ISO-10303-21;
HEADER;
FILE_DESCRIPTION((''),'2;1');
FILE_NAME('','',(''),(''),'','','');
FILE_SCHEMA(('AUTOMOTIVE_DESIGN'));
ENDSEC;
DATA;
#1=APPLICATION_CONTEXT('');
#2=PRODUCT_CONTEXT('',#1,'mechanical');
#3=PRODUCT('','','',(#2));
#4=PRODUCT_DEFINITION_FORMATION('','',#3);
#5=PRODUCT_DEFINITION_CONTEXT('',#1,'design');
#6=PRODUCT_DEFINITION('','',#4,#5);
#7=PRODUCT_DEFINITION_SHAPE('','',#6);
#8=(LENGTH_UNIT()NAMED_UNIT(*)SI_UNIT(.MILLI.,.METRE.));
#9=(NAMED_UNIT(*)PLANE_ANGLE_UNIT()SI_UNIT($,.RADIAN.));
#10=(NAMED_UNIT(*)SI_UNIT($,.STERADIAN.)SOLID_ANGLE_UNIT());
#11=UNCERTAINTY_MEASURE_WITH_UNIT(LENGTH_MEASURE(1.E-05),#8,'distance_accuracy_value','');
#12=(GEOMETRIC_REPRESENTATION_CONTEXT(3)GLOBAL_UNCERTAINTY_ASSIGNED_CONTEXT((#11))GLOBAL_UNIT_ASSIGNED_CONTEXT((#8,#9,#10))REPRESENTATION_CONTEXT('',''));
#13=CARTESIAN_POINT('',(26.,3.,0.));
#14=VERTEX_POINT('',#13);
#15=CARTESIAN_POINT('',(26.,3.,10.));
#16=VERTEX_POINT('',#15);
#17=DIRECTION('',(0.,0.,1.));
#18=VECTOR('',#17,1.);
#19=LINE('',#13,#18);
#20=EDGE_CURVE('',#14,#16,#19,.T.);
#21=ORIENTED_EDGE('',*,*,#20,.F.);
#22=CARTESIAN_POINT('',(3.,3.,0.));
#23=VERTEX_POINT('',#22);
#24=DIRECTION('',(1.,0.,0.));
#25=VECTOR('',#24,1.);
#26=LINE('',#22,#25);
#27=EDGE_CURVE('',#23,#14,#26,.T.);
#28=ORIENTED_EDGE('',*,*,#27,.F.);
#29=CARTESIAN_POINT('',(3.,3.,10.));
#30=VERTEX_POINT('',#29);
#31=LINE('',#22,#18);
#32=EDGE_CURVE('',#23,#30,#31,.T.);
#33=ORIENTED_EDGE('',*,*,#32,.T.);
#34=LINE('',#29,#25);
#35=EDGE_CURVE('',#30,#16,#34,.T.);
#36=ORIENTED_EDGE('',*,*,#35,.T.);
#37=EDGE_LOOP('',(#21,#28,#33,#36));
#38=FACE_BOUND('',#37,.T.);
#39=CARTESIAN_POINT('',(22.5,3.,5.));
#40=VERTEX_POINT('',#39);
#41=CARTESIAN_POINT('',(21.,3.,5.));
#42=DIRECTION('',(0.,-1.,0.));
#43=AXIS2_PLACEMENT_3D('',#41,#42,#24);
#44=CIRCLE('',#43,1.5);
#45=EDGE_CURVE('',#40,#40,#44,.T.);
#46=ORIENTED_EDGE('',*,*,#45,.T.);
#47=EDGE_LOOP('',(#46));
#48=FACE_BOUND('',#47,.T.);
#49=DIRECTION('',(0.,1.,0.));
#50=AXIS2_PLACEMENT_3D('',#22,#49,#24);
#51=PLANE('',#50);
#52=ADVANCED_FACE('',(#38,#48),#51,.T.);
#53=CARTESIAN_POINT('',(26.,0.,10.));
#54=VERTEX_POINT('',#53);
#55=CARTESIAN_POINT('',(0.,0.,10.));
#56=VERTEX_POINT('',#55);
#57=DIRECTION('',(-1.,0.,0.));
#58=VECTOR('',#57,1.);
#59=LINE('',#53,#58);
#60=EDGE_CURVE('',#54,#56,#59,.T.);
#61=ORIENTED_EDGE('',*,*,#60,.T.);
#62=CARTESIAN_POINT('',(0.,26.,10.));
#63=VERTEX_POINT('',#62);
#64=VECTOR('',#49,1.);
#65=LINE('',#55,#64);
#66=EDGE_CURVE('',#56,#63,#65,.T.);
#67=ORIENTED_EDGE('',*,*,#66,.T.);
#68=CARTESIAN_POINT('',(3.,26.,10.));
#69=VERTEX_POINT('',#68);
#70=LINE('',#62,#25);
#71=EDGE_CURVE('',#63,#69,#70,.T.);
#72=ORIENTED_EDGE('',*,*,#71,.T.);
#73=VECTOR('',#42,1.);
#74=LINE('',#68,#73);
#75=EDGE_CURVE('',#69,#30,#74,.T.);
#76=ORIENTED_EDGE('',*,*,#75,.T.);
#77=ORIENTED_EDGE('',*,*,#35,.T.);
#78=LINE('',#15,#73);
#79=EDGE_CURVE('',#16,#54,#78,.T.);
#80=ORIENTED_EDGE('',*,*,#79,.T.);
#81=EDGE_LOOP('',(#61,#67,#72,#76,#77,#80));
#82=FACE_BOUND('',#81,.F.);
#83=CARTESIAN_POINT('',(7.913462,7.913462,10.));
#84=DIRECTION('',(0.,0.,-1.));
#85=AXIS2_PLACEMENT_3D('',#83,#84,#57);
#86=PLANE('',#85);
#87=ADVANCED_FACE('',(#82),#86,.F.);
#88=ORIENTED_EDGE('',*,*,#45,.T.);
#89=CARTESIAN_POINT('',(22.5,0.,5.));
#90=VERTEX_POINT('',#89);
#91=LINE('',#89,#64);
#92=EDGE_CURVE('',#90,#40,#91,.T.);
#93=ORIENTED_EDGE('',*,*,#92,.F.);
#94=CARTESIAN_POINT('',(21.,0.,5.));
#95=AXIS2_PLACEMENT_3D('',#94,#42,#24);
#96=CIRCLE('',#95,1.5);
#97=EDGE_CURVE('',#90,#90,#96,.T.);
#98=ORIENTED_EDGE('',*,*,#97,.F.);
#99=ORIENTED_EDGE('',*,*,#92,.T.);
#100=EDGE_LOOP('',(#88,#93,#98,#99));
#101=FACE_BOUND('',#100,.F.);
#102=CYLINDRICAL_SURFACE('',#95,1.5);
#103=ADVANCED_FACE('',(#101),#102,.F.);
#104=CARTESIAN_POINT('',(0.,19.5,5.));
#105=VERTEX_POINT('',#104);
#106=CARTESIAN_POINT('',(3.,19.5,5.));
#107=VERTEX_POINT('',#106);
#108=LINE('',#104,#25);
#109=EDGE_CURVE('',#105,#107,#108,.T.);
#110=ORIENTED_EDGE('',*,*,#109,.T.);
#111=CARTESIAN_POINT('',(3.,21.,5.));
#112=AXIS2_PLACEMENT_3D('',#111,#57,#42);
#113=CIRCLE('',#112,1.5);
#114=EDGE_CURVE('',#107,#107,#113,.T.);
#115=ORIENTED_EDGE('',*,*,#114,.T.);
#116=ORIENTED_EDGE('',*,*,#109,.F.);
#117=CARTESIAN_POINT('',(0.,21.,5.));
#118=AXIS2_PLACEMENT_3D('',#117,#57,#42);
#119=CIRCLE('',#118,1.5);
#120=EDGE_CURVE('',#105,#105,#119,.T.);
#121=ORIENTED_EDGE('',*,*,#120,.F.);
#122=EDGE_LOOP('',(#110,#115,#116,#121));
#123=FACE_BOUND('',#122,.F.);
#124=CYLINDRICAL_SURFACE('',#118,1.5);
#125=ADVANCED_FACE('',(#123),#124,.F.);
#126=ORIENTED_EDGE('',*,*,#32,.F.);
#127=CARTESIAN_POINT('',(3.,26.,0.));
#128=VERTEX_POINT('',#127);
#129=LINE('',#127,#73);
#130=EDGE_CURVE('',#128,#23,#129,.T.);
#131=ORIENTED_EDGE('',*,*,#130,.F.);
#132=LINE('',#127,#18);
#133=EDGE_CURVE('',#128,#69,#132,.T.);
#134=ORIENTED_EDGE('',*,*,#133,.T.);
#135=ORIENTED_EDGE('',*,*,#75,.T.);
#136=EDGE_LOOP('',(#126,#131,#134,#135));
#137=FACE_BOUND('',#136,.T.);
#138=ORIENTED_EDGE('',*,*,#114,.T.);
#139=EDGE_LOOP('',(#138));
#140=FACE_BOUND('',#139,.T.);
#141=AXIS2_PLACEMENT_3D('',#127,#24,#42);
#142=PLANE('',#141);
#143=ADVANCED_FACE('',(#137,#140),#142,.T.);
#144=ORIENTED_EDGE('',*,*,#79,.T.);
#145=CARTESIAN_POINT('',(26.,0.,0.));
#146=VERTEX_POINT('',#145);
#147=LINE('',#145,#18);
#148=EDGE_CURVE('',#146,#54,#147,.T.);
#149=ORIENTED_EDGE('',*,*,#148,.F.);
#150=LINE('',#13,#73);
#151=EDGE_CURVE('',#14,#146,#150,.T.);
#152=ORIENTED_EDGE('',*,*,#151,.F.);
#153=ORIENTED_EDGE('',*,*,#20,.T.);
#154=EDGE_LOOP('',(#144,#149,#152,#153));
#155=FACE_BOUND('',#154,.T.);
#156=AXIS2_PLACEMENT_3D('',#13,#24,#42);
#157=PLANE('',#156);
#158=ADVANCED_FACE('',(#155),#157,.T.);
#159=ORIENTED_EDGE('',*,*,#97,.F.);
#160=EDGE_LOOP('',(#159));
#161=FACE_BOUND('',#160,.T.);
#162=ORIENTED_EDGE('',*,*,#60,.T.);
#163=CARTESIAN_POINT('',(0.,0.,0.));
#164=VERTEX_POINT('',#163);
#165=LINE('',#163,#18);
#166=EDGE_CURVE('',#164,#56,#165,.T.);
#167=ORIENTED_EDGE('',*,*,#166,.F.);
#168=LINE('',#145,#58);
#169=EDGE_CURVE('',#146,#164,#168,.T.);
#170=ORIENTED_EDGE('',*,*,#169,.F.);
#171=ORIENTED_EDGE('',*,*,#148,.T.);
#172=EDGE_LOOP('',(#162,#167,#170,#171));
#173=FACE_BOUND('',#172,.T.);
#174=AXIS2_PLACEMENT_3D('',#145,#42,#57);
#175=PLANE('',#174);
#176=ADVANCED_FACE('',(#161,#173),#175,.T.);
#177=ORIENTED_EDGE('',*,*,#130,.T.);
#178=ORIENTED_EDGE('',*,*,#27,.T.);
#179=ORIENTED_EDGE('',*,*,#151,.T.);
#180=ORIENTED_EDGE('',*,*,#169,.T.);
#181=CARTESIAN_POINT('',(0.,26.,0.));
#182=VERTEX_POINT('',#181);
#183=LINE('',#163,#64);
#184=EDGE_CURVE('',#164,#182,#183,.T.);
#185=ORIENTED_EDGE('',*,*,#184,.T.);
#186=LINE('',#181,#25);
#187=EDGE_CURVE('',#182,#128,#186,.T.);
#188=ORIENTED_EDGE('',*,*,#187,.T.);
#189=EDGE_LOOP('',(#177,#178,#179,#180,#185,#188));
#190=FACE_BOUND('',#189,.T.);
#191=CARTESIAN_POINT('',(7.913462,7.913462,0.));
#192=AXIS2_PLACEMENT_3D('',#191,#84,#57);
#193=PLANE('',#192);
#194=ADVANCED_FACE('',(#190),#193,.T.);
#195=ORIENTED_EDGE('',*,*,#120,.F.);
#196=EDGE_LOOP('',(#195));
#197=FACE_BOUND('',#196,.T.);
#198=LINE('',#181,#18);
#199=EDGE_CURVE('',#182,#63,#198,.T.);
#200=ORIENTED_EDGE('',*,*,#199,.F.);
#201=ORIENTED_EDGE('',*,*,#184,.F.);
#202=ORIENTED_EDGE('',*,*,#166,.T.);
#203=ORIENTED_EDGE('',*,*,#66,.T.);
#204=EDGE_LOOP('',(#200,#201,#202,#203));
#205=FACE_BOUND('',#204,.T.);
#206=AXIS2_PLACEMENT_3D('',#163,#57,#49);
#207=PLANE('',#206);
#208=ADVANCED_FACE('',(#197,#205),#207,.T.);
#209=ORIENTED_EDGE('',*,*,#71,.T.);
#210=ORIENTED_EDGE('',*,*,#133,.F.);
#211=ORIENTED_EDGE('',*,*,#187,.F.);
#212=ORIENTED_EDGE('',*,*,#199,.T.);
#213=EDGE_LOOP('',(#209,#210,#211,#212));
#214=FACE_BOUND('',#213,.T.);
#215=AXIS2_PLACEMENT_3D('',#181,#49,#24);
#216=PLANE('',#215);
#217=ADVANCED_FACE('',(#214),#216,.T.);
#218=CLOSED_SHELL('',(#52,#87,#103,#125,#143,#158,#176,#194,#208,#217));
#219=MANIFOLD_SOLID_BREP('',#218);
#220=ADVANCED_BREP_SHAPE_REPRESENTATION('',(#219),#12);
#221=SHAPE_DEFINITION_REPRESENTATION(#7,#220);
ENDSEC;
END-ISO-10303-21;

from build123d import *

# Parameters (mm, degrees)
PAD_DEPTH       = 10
SKETCH001_R     = 1.5
POCKET_DEPTH    = 5
SKETCH002_R     = 1.5
POCKET001_DEPTH = 5


with BuildPart() as part:
    # Sketch → Pad (new body)
    with BuildSketch(Plane.XY):
        Polygon((0, 0), (0, 26), (3, 26), (3, 3), (26, 3), (26, 0), align=None)
    extrude(amount=PAD_DEPTH)

    # Sketch001 (on Face6 of Pad) → Pocket (cut)
    with BuildSketch(Plane.XZ):
        with Locations((21, 5)):
            Circle(SKETCH001_R)
    extrude(amount=-POCKET_DEPTH, mode=Mode.SUBTRACT)

    # Sketch002 (on Face1 of Pocket) → Pocket001 (cut)
    with BuildSketch(Plane(origin=(0, 0, 0), x_dir=(0, -1, 0), z_dir=(-1, 0, 0))):
        with Locations((-21, 5)):
            Circle(SKETCH002_R)
    extrude(amount=-POCKET001_DEPTH, mode=Mode.SUBTRACT)


solid = part.part
